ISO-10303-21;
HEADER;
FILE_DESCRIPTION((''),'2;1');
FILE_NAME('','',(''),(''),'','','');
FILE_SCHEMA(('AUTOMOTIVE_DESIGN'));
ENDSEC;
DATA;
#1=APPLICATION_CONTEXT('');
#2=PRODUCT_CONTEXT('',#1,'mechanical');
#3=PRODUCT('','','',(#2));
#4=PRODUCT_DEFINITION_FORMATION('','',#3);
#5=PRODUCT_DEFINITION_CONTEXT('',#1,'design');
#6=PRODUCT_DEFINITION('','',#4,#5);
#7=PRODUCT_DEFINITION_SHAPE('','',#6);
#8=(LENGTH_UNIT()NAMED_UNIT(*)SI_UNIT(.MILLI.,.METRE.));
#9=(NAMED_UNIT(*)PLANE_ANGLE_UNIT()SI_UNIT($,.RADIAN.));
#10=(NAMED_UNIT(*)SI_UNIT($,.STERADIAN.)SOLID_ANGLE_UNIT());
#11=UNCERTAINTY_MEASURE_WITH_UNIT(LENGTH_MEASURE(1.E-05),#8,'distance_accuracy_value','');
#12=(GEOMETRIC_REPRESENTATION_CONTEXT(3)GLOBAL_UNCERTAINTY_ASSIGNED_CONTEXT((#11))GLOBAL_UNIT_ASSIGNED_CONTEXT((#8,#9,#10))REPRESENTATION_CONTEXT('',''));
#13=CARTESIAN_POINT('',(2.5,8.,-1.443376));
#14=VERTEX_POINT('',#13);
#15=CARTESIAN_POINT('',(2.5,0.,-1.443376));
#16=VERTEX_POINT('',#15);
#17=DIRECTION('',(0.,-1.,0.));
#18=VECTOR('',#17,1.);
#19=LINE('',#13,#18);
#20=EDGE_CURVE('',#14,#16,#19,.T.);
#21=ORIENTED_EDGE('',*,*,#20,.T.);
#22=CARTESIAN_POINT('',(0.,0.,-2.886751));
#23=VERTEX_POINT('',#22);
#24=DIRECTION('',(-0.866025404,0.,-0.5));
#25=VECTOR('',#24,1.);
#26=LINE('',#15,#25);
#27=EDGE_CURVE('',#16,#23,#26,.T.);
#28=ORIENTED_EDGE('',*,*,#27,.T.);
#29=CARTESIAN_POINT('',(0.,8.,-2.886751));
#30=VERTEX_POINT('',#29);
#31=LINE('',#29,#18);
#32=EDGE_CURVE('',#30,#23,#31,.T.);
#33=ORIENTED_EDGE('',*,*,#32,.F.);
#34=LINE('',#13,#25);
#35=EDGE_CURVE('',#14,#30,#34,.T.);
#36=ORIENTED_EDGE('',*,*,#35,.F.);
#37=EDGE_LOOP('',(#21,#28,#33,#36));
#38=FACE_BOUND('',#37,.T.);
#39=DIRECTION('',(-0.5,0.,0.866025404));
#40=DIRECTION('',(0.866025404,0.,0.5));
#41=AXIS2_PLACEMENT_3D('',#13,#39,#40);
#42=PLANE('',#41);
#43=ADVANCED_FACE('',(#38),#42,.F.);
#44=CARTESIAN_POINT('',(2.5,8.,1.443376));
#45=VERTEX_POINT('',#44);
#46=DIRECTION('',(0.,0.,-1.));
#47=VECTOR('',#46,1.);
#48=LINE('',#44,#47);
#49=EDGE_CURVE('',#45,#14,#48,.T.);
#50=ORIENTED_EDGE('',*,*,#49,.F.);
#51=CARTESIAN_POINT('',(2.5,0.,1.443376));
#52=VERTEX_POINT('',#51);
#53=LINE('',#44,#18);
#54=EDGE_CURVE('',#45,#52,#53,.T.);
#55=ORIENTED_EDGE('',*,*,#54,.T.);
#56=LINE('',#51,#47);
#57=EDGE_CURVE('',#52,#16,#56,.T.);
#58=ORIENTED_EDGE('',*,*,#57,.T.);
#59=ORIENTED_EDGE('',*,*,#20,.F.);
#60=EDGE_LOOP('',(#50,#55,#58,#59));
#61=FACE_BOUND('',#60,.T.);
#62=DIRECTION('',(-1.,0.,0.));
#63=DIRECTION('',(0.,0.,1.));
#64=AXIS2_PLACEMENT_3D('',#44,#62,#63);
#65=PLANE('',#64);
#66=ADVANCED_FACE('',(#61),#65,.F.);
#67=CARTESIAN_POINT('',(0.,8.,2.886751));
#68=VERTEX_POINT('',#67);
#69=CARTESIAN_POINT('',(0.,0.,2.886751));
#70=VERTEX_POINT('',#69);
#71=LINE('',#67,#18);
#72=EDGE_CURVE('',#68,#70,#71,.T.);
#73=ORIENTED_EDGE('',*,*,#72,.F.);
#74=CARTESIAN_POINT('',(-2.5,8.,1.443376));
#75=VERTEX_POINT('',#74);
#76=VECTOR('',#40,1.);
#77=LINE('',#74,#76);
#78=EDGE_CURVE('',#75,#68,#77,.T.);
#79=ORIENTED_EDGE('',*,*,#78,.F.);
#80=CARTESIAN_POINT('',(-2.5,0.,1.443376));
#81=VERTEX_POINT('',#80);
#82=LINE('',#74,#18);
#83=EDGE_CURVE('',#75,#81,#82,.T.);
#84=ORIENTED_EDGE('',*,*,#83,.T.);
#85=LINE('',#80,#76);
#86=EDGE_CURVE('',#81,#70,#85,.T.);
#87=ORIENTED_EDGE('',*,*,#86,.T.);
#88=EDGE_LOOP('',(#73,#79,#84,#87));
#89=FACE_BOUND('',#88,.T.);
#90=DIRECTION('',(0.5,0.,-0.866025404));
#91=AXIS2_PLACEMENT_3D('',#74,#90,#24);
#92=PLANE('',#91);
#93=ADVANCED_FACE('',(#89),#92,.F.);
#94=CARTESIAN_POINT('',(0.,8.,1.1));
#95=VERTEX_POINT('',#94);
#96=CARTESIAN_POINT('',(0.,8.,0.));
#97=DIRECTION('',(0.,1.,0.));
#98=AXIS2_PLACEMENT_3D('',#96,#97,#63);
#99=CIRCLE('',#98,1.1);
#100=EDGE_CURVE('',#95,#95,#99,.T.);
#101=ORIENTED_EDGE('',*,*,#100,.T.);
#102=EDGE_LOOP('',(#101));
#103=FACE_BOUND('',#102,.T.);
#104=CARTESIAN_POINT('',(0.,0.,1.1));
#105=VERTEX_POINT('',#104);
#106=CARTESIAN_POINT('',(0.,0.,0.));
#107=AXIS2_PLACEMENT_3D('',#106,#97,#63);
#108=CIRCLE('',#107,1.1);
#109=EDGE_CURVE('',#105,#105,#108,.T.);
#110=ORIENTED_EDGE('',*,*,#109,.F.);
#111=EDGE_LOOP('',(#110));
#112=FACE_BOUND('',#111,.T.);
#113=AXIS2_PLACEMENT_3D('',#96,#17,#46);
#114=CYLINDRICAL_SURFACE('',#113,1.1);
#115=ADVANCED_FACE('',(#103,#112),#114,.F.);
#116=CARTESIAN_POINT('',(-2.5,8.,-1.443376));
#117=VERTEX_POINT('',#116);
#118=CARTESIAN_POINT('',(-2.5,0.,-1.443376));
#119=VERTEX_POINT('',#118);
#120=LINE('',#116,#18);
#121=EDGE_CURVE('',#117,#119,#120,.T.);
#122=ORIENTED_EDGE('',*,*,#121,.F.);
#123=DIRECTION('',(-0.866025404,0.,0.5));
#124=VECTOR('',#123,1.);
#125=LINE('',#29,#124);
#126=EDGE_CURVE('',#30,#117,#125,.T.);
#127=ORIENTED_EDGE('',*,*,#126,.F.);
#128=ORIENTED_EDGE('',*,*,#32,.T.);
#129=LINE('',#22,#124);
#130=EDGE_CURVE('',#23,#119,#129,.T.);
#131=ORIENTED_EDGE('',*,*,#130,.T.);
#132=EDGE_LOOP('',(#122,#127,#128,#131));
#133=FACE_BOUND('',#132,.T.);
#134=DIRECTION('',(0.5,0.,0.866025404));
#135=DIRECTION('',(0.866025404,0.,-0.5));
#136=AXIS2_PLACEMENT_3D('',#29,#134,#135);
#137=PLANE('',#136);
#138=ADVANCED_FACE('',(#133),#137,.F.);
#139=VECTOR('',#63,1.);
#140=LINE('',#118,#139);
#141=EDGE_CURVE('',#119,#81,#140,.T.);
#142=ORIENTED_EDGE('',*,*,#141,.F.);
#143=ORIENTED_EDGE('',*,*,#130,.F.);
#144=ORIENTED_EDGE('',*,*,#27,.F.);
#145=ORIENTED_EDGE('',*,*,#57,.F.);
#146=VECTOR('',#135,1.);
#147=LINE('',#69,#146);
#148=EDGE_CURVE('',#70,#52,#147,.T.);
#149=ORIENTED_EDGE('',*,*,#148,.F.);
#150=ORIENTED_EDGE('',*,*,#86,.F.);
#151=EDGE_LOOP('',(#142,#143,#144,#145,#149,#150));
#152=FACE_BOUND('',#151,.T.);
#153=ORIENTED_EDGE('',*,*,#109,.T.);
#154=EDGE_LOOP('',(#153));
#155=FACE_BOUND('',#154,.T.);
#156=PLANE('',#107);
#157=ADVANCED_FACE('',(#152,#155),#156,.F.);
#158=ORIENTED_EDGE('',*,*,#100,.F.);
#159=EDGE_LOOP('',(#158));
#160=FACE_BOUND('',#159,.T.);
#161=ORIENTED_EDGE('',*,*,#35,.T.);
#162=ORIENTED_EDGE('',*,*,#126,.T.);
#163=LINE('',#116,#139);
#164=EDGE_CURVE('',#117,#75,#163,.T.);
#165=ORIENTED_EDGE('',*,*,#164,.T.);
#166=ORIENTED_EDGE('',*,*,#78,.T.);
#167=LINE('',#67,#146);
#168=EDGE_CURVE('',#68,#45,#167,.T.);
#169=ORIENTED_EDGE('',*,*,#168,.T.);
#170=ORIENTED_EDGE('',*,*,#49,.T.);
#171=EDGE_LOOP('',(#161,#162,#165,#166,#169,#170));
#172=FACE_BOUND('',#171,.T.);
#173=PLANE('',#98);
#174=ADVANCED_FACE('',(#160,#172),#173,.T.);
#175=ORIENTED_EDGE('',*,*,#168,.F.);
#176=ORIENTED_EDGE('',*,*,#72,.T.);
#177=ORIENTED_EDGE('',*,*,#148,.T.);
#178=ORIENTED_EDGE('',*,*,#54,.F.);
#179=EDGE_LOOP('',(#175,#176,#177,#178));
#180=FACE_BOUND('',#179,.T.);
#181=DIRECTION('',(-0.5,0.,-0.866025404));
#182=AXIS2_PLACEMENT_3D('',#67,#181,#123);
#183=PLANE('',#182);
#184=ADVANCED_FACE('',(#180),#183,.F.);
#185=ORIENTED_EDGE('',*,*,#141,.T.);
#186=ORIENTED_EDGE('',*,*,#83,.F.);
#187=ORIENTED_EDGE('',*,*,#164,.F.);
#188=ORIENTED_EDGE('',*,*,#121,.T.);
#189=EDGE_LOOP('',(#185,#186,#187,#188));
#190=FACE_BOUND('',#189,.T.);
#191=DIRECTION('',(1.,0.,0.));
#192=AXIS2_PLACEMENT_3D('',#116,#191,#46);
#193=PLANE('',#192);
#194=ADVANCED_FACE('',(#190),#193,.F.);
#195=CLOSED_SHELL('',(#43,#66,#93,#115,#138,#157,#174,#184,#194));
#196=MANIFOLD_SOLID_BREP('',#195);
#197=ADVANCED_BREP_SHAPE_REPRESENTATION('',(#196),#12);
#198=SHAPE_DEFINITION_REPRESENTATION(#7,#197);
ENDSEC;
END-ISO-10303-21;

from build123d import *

# Parameters (mm, degrees)
SKETCH1_R           = 1.1
BOSS_EXTRUDE1_DEPTH = 8


with BuildPart() as part:
    # Sketch1 → Boss-Extrude1 (new body)
    with BuildSketch(Plane(origin=(0, 0, 0), x_dir=(1, 0, 0), z_dir=(0, 1, 0))):
        Polygon((0, 2.886751346), (-2.5, 1.443375673), (-2.5, -1.443375673), (0, -2.886751346), (2.5, -1.443375673), (2.5, 1.443375673), align=None)
        with Locations(Location((0, 0, 0), (0, 0, 270))):
            Circle(SKETCH1_R, mode=Mode.SUBTRACT)
    extrude(amount=BOSS_EXTRUDE1_DEPTH)


solid = part.part
